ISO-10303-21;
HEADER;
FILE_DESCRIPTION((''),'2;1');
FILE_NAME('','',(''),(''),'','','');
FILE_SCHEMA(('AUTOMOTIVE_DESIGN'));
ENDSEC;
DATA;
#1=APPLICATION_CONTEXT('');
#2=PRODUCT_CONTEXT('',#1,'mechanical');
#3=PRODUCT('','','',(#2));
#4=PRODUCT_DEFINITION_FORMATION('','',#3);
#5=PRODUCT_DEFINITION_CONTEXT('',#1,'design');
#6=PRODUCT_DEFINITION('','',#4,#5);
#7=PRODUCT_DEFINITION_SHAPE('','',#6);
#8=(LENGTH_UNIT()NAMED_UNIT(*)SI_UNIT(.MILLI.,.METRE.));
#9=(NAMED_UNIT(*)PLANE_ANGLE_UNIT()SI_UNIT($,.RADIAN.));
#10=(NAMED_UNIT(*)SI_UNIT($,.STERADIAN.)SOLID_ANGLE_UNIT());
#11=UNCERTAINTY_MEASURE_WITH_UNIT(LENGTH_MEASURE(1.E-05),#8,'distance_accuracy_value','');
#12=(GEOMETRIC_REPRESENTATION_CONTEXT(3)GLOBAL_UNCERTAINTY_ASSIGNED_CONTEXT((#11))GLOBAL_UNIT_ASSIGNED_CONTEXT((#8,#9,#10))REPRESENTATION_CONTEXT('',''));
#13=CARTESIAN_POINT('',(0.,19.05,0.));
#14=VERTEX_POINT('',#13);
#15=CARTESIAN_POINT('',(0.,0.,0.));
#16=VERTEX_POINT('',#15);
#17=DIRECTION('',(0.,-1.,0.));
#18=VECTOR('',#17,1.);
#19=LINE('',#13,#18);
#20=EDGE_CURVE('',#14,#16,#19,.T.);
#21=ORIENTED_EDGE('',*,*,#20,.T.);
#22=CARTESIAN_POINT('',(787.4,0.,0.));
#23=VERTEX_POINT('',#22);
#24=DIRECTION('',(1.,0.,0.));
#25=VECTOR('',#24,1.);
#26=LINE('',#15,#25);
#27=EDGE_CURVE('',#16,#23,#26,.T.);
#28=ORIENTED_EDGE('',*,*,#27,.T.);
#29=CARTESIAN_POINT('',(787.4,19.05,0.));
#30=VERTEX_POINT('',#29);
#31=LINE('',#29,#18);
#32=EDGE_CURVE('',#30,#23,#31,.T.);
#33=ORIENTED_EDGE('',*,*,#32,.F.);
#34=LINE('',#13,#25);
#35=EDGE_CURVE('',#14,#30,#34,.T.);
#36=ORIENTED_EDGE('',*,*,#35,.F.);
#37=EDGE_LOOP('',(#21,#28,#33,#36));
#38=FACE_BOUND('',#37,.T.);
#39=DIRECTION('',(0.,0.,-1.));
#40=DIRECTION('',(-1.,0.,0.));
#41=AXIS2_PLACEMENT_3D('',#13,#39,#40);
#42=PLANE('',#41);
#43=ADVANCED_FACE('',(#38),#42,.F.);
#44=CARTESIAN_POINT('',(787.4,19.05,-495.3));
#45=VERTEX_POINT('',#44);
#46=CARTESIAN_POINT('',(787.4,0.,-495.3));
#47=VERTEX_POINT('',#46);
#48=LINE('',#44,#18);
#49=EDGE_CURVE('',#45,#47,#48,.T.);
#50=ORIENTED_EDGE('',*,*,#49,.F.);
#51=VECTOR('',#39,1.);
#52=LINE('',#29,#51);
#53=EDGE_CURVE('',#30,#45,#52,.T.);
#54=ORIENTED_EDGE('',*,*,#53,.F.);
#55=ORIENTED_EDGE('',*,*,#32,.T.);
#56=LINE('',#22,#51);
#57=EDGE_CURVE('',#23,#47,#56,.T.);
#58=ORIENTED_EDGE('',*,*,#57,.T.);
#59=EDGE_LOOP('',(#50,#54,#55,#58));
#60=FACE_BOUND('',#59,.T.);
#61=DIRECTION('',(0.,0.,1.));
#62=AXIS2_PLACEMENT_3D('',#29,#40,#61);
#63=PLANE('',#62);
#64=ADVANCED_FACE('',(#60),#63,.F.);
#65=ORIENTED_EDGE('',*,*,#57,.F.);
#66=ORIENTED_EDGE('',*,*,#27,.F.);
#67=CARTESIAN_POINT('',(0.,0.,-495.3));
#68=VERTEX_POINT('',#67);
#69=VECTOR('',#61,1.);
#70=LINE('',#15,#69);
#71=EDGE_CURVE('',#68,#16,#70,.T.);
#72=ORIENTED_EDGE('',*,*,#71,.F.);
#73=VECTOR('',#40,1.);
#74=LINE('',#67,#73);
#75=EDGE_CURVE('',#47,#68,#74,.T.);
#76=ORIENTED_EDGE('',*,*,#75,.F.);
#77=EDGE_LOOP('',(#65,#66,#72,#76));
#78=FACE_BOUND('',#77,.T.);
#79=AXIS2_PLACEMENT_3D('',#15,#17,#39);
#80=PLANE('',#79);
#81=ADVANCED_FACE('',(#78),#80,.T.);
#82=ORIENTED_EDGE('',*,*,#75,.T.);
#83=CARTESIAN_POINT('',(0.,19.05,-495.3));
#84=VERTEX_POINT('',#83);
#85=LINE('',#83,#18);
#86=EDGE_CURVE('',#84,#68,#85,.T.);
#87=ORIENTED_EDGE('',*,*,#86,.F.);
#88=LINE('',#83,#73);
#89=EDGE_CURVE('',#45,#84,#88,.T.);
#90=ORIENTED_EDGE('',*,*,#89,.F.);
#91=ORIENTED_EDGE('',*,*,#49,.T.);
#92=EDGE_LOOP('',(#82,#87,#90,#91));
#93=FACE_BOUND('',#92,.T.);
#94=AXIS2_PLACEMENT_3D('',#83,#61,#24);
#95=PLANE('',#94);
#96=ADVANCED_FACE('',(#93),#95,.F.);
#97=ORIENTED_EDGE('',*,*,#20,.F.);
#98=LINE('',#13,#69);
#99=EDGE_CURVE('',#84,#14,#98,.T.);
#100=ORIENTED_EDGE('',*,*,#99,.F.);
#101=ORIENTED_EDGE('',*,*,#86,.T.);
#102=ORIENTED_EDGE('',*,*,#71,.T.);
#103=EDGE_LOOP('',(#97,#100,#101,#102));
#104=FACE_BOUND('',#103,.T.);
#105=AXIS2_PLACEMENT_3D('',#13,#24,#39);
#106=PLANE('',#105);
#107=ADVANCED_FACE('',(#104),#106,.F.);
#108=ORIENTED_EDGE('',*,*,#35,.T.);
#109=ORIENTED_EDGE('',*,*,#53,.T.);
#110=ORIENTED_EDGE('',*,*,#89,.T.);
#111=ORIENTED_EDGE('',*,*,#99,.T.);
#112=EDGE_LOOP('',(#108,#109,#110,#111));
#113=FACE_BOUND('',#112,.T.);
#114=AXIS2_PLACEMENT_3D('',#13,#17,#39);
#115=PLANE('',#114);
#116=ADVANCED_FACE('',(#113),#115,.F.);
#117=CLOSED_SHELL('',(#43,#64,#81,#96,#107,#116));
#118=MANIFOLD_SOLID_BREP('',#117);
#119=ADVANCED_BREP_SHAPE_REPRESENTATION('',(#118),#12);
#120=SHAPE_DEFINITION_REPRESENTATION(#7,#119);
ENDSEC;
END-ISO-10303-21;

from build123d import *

# Parameters (mm, degrees)
SKETCH1_W           = 787.4
SKETCH1_H           = 495.3
BOSS_EXTRUDE1_DEPTH = 19.05


with BuildPart() as part:
    # Sketch1 → Boss-Extrude1 (new body)
    with BuildSketch(Plane(origin=(0, 0, 0), x_dir=(1, 0, 0), z_dir=(0, 1, 0))):
        with Locations((393.7, 247.65)):
            Rectangle(SKETCH1_W, SKETCH1_H)
    extrude(amount=BOSS_EXTRUDE1_DEPTH)


solid = part.part
